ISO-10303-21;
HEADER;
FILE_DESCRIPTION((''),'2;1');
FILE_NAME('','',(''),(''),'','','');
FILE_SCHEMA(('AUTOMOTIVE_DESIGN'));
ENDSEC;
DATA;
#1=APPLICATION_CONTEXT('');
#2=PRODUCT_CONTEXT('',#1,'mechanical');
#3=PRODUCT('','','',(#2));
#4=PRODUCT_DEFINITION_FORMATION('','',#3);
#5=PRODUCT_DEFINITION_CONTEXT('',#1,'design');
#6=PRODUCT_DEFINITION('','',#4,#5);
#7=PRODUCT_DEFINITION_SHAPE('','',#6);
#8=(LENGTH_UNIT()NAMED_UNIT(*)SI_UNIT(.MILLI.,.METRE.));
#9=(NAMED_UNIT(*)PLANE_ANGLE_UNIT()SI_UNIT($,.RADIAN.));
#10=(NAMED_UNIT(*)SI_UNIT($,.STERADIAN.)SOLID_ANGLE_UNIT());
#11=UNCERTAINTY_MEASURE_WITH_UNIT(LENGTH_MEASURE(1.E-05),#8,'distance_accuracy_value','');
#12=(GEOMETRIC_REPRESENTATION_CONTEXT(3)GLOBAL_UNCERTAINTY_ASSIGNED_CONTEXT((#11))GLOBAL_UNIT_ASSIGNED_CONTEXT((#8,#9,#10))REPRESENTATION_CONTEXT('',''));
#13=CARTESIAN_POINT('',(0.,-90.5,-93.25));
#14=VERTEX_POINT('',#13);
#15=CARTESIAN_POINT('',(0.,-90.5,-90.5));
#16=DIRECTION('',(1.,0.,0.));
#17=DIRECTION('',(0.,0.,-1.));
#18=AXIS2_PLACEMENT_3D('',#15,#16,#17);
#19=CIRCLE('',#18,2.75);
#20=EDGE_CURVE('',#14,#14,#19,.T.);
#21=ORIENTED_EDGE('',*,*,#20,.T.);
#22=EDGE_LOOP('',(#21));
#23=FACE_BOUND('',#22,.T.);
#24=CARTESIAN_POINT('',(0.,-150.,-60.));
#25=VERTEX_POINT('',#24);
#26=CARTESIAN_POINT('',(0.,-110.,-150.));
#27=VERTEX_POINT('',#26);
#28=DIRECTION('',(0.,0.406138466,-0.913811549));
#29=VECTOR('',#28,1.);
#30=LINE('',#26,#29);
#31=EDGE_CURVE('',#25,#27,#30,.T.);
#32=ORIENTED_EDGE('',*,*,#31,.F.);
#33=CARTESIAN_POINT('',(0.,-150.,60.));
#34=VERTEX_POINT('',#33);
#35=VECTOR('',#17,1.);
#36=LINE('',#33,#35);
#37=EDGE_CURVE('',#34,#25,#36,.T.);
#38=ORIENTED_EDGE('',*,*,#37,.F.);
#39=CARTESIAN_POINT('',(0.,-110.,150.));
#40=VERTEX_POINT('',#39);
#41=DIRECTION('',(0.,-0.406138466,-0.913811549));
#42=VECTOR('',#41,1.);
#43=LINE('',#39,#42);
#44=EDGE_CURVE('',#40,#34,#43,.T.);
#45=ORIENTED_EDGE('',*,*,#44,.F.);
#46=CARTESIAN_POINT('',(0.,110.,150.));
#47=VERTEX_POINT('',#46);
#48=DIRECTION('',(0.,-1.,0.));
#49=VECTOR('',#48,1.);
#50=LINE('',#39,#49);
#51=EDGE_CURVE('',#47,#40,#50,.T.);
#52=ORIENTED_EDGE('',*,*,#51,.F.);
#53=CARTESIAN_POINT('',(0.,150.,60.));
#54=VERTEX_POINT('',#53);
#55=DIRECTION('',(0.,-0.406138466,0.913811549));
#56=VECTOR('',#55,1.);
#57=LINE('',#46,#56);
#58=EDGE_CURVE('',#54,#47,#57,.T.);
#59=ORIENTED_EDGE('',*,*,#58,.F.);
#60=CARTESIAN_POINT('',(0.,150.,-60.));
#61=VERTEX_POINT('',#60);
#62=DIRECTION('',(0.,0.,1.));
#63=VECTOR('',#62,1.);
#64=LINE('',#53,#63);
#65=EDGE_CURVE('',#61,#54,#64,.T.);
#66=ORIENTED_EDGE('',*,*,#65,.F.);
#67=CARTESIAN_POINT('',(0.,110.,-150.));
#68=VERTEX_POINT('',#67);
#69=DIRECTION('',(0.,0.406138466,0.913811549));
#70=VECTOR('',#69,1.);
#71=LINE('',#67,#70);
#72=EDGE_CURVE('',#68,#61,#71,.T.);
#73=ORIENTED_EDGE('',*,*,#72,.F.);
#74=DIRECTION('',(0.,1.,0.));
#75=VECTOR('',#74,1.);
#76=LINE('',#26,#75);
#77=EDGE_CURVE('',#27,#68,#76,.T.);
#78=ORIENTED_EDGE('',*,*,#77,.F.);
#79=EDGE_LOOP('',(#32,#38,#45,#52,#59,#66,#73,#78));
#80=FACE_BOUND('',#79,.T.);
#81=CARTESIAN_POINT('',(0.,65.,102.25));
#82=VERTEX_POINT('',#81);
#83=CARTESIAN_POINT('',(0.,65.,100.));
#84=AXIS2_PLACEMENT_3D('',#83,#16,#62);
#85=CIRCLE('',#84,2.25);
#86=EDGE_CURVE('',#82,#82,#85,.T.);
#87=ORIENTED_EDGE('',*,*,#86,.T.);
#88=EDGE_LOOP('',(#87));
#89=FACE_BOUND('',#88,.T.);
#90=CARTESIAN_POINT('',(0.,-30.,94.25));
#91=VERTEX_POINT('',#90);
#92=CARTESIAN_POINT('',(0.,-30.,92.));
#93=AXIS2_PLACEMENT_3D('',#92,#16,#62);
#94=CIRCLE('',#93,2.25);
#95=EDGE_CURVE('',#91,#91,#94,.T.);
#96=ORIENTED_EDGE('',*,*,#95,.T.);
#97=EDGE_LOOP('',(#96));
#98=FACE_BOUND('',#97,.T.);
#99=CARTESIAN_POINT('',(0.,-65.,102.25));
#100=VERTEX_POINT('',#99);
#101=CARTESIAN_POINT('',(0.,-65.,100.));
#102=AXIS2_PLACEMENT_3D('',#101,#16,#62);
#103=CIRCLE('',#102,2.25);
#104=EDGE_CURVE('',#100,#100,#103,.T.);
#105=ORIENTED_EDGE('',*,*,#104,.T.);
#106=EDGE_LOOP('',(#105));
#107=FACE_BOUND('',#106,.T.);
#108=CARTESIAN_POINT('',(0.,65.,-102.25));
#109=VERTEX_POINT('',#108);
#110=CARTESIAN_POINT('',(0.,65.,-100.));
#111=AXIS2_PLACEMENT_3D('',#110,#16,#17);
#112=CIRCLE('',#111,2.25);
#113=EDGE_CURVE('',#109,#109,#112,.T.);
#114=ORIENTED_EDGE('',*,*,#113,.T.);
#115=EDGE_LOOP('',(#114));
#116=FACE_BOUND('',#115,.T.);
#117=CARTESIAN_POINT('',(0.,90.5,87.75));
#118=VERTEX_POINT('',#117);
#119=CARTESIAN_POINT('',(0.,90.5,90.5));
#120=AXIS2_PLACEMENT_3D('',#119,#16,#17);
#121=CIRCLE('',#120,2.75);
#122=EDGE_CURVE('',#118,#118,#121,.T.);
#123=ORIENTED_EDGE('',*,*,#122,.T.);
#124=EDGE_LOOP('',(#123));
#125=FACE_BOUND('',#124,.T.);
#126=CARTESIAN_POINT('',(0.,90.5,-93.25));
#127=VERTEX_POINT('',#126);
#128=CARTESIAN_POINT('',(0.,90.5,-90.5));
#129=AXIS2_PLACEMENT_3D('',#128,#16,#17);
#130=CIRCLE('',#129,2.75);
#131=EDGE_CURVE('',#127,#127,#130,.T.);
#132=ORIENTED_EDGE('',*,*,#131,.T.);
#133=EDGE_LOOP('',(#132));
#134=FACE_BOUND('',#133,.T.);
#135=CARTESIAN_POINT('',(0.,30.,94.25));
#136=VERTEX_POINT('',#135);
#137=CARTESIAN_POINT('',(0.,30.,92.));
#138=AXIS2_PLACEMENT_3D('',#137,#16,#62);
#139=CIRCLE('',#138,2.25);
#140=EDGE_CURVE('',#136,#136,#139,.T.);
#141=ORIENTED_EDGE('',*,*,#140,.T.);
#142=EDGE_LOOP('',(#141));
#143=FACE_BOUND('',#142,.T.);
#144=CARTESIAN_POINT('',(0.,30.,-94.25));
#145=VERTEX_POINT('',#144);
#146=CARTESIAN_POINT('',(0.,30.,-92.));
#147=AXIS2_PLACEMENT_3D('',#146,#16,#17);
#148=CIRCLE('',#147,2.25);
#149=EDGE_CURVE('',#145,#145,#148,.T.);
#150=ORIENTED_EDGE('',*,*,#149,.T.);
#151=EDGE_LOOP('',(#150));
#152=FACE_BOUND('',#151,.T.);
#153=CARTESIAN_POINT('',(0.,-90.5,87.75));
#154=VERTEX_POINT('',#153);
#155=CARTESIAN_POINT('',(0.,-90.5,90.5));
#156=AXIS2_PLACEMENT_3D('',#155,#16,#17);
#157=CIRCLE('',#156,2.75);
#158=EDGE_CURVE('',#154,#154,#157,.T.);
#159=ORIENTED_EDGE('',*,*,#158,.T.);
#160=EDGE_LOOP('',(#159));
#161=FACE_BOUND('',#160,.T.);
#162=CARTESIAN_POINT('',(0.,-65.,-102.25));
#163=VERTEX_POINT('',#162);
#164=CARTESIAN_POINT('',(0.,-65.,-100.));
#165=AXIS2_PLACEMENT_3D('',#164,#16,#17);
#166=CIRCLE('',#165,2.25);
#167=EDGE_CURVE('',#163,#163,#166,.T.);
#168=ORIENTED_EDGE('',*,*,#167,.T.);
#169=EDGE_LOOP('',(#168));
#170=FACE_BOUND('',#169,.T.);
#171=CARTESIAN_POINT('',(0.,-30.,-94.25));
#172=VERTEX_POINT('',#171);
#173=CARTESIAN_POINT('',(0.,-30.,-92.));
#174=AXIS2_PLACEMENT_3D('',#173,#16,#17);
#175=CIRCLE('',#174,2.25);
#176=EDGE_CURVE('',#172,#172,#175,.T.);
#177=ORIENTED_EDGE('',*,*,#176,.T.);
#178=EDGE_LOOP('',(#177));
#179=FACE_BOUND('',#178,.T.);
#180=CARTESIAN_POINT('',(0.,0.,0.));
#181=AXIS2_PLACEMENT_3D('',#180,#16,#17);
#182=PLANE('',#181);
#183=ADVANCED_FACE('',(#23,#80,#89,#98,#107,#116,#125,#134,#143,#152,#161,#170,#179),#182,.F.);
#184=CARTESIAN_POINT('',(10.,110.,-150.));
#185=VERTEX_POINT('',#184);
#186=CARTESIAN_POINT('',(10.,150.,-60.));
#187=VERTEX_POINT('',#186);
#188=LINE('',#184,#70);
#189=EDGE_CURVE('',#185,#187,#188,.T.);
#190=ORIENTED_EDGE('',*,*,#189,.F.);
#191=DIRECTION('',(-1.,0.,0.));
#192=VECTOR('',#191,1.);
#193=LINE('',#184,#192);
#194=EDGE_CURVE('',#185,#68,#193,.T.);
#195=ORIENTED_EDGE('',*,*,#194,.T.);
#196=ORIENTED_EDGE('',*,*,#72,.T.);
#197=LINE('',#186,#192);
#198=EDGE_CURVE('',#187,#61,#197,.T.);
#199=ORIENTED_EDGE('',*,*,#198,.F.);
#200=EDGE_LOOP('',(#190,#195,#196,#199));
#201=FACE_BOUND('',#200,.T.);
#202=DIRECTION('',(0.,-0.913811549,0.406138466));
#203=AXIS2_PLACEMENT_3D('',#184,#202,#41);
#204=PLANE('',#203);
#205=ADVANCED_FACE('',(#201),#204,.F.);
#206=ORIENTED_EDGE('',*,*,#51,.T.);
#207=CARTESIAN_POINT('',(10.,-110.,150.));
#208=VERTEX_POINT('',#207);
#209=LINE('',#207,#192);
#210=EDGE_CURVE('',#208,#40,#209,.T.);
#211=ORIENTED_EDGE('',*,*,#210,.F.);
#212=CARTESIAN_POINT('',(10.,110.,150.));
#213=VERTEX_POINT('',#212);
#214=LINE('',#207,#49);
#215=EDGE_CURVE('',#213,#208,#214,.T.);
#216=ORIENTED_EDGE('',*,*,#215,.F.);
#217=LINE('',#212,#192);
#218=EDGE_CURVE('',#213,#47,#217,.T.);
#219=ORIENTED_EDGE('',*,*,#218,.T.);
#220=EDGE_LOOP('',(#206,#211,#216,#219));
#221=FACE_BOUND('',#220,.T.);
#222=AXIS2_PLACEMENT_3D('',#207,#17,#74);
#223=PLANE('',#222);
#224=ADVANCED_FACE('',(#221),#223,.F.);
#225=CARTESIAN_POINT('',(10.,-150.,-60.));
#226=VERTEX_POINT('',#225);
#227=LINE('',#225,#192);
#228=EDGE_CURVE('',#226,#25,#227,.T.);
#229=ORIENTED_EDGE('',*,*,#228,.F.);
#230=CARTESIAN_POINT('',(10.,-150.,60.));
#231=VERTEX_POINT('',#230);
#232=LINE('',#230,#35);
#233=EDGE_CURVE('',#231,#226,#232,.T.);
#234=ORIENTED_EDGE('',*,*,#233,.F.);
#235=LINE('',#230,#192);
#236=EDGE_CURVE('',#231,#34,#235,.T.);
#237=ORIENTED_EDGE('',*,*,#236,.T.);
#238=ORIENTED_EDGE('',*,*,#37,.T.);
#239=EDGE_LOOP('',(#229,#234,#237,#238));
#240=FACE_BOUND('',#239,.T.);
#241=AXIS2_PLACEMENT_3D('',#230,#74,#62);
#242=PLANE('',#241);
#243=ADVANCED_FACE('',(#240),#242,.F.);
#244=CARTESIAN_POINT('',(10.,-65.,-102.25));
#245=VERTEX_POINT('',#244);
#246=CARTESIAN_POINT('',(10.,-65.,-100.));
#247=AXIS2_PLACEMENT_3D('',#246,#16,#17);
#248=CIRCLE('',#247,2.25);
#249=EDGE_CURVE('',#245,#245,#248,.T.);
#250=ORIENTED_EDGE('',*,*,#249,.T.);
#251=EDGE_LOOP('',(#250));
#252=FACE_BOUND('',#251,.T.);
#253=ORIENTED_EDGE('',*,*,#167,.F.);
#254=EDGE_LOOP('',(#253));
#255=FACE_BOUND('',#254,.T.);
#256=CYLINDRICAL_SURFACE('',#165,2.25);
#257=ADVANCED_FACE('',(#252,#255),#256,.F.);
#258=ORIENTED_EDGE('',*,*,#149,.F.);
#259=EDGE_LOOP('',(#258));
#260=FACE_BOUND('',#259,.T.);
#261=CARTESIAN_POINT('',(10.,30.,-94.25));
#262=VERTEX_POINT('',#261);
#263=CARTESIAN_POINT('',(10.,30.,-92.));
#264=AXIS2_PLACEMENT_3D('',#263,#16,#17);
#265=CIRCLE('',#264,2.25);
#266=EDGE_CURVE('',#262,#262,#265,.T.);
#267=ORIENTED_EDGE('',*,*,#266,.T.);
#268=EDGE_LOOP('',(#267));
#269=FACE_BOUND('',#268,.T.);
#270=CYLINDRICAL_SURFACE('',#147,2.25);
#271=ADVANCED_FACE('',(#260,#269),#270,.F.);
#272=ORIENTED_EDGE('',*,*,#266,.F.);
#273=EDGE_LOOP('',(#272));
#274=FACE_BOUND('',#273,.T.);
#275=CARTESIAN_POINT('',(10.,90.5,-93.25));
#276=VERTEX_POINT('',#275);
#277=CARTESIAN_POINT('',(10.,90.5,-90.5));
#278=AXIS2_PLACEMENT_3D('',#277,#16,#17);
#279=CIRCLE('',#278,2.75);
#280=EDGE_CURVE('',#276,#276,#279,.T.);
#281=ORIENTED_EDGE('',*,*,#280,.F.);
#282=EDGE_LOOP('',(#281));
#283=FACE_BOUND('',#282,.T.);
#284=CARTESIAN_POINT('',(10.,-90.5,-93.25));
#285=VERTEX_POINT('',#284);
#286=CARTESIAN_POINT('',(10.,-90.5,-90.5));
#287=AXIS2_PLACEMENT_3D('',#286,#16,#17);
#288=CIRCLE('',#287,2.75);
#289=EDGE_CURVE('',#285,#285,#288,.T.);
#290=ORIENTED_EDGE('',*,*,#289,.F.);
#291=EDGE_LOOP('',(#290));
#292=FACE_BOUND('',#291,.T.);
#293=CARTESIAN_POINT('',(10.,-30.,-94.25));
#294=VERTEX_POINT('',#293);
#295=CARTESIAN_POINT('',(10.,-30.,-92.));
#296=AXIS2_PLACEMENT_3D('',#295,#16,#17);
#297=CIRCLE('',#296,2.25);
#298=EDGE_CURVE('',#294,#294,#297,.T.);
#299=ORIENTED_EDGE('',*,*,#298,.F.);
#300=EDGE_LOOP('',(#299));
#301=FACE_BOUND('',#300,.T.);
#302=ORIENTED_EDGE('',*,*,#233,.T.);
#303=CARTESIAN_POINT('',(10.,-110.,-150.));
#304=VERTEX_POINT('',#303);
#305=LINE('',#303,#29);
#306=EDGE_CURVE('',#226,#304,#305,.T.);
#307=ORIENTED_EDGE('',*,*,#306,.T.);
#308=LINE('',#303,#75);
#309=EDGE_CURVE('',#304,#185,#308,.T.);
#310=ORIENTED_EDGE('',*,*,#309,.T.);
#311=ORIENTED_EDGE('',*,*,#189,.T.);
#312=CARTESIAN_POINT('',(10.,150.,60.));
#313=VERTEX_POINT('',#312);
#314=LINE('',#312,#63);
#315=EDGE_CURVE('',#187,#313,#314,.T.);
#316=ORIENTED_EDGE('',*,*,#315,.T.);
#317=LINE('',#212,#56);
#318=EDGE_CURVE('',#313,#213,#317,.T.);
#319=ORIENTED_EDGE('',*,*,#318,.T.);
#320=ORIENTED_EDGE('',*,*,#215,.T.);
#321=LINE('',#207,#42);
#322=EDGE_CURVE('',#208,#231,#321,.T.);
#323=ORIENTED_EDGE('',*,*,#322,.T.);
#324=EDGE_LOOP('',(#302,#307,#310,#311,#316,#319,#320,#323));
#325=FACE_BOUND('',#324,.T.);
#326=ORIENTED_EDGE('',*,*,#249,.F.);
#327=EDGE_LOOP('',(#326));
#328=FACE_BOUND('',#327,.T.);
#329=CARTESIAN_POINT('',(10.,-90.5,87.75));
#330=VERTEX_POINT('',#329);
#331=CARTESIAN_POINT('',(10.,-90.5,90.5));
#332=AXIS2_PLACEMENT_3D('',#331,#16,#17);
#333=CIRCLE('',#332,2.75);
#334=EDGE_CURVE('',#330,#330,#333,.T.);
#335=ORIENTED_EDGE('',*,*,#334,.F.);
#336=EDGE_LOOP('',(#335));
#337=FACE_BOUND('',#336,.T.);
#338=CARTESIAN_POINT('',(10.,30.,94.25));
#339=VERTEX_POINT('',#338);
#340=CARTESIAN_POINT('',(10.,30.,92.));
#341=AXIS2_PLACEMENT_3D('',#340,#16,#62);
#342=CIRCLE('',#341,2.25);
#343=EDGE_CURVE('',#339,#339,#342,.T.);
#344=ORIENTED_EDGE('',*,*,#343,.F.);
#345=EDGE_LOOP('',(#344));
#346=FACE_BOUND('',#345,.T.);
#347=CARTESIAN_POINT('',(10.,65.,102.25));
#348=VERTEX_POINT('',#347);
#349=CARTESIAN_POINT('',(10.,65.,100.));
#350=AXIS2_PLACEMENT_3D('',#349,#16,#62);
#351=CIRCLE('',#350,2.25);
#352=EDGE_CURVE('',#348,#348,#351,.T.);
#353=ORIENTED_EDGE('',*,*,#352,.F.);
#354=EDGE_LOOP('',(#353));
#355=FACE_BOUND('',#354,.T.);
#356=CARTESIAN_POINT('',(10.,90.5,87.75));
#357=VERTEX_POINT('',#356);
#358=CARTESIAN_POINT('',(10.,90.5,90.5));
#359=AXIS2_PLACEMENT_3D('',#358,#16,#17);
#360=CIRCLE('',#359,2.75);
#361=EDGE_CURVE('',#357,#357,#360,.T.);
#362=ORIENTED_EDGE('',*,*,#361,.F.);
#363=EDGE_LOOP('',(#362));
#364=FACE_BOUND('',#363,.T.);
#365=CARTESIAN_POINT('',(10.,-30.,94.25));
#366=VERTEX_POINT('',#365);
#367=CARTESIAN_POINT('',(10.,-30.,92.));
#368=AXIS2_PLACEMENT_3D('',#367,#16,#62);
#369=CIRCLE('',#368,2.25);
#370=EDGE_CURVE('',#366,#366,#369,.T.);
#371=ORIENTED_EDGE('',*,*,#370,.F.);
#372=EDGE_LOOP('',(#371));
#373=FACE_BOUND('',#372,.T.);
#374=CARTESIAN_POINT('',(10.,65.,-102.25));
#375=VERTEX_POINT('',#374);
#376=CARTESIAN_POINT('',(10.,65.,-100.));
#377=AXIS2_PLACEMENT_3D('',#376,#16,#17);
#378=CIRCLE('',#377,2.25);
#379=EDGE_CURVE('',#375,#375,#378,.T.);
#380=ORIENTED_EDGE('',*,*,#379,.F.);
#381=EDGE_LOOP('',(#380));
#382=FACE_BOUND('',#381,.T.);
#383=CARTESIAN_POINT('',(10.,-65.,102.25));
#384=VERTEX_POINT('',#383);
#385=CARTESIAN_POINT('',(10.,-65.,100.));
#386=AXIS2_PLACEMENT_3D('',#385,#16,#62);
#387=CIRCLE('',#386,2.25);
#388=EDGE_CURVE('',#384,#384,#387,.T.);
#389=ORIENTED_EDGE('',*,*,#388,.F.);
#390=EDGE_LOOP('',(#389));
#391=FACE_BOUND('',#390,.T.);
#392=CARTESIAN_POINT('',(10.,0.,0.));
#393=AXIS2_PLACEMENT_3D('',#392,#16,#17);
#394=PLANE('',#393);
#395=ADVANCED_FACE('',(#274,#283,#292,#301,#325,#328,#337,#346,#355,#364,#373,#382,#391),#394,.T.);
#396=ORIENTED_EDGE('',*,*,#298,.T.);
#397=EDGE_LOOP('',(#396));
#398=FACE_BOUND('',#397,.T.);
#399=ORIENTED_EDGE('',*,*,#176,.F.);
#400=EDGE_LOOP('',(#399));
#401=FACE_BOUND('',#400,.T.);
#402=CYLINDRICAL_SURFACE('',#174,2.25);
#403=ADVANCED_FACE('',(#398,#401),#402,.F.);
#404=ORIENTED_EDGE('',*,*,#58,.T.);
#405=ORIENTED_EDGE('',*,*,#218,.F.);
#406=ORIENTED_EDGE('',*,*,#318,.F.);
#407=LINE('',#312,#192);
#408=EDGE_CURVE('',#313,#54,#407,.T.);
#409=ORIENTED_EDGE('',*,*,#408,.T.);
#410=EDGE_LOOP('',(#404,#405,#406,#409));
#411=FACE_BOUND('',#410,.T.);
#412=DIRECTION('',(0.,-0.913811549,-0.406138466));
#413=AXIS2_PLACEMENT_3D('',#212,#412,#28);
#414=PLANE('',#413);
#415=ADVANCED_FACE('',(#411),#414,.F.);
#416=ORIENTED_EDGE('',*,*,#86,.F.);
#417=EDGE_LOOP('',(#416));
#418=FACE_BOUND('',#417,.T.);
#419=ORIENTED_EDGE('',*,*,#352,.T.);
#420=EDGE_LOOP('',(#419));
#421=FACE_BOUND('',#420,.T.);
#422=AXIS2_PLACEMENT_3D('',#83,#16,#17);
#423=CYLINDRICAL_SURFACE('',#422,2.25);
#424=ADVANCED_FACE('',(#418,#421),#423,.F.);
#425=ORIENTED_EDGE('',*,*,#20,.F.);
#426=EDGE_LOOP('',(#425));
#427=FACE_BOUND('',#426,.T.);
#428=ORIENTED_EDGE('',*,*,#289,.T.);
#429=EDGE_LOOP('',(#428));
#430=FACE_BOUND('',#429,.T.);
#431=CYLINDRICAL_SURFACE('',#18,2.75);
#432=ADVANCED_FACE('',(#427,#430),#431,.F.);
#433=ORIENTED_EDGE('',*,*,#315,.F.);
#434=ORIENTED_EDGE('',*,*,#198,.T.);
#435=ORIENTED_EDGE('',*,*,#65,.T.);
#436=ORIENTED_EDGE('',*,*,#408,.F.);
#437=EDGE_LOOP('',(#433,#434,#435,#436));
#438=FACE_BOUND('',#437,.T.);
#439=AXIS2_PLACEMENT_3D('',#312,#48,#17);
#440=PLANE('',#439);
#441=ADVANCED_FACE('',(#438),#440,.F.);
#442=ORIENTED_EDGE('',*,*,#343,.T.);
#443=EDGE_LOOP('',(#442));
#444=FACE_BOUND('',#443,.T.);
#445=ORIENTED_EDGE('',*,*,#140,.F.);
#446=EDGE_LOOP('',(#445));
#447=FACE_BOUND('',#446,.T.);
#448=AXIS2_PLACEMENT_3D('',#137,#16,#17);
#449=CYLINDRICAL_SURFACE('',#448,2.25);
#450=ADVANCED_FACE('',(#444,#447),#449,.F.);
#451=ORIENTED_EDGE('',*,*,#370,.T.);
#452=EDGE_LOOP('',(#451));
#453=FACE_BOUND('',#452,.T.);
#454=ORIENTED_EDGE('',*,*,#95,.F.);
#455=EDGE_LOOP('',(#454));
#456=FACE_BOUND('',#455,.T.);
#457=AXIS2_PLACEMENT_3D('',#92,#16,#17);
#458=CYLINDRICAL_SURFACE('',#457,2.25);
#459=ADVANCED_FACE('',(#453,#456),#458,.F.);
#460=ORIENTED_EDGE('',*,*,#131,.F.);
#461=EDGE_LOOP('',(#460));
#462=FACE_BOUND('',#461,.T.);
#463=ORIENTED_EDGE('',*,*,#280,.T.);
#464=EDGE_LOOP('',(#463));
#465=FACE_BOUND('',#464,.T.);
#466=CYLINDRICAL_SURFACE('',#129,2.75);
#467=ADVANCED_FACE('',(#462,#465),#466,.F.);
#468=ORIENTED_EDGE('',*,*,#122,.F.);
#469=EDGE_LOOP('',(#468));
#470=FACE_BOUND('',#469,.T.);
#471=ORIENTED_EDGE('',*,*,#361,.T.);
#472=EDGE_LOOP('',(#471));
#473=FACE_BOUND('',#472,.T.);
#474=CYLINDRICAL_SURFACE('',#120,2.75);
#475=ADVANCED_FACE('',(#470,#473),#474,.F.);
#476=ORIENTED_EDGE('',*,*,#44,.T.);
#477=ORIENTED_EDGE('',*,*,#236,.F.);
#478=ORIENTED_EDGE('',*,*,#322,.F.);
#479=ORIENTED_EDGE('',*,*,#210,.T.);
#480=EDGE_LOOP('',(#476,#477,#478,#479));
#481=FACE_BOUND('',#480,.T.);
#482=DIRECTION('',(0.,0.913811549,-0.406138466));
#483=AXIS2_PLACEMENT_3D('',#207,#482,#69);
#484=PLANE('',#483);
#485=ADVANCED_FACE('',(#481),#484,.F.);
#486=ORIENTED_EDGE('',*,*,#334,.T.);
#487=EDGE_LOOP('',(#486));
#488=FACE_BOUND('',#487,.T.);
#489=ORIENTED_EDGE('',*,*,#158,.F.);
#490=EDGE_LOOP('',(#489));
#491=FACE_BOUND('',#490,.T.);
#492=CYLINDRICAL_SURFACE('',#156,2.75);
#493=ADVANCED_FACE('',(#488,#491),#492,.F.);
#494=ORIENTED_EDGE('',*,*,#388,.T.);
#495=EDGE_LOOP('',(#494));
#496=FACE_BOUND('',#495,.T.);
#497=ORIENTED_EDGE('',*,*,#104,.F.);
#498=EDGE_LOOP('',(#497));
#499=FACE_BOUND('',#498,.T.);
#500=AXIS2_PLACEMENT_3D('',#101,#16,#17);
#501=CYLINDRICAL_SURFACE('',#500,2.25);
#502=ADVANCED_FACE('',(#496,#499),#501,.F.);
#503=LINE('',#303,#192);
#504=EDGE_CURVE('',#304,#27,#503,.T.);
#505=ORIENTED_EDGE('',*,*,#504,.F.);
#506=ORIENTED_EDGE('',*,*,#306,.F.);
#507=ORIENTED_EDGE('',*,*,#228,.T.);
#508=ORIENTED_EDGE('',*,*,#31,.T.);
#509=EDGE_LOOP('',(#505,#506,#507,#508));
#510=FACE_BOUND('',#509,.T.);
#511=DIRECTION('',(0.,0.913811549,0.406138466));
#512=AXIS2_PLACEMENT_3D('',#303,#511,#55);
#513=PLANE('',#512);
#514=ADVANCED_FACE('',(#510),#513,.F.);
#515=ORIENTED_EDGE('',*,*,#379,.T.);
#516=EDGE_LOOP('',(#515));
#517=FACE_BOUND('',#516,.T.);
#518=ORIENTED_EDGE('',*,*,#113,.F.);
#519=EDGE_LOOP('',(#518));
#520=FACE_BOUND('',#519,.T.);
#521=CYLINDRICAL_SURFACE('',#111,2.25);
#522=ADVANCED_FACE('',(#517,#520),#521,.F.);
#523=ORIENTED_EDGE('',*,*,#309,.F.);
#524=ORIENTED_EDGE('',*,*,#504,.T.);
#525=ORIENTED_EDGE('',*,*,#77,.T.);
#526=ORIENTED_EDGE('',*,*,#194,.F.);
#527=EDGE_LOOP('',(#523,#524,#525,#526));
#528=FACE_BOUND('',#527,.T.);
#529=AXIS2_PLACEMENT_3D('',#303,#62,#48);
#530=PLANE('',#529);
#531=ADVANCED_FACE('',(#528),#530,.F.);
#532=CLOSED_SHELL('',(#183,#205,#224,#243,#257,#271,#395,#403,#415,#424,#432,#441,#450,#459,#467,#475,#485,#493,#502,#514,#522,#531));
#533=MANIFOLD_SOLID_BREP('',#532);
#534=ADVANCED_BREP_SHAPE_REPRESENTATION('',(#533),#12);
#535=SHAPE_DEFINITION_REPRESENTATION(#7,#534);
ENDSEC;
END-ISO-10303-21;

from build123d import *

# Parameters (mm, degrees)
EXTRUDE_1_DEPTH     = 10
SKETCH_2_R          = 2.25
CUT_EXTRUDE_1_DEPTH = 10
SKETCH_3_R          = 2.75
CUT_EXTRUDE_2_DEPTH = 10


with BuildPart() as part:
    # 草图1 → 凸台-拉伸1 (new body)
    with BuildSketch(Plane(origin=(0, 0, 0), x_dir=(0, 0, -1), z_dir=(1, 0, 0))):
        Polygon((-150, -110), (-150, 110), (-60, 150), (60, 150), (150, 110), (150, -110), (60, -150), (-60, -150), align=None)
    extrude(amount=EXTRUDE_1_DEPTH)

    # 草图2 → 切除-拉伸1 (cut)
    with BuildSketch(Plane(origin=(10, 0, 0), x_dir=(0, 0, -1), z_dir=(1, 0, 0))):
        with Locations((92, 30)):
            Circle(SKETCH_2_R)
        with Locations((92, -30)):
            Circle(SKETCH_2_R)
        with Locations((100, 65)):
            Circle(SKETCH_2_R)
        with Locations((100, -65)):
            Circle(SKETCH_2_R)
        with Locations(Location((-100, -65, 0), (0, 0, 180))):
            Circle(SKETCH_2_R)
        with Locations(Location((-100, 65, 0), (0, 0, 180))):
            Circle(SKETCH_2_R)
        with Locations(Location((-92, -30, 0), (0, 0, 180))):
            Circle(SKETCH_2_R)
        with Locations(Location((-92, 30, 0), (0, 0, 180))):
            Circle(SKETCH_2_R)
    extrude(amount=-CUT_EXTRUDE_1_DEPTH, mode=Mode.SUBTRACT)

    # 草图3 → 切除-拉伸2 (cut)
    with BuildSketch(Plane(origin=(10, 0, 0), x_dir=(0, 0, -1), z_dir=(1, 0, 0))):
        with Locations((-90.5, 90.5)):
            Circle(SKETCH_3_R)
        with Locations((90.5, 90.5)):
            Circle(SKETCH_3_R)
        with Locations((-90.5, -90.5)):
            Circle(SKETCH_3_R)
        with Locations((90.5, -90.5)):
            Circle(SKETCH_3_R)
    extrude(amount=-CUT_EXTRUDE_2_DEPTH, mode=Mode.SUBTRACT)


solid = part.part
